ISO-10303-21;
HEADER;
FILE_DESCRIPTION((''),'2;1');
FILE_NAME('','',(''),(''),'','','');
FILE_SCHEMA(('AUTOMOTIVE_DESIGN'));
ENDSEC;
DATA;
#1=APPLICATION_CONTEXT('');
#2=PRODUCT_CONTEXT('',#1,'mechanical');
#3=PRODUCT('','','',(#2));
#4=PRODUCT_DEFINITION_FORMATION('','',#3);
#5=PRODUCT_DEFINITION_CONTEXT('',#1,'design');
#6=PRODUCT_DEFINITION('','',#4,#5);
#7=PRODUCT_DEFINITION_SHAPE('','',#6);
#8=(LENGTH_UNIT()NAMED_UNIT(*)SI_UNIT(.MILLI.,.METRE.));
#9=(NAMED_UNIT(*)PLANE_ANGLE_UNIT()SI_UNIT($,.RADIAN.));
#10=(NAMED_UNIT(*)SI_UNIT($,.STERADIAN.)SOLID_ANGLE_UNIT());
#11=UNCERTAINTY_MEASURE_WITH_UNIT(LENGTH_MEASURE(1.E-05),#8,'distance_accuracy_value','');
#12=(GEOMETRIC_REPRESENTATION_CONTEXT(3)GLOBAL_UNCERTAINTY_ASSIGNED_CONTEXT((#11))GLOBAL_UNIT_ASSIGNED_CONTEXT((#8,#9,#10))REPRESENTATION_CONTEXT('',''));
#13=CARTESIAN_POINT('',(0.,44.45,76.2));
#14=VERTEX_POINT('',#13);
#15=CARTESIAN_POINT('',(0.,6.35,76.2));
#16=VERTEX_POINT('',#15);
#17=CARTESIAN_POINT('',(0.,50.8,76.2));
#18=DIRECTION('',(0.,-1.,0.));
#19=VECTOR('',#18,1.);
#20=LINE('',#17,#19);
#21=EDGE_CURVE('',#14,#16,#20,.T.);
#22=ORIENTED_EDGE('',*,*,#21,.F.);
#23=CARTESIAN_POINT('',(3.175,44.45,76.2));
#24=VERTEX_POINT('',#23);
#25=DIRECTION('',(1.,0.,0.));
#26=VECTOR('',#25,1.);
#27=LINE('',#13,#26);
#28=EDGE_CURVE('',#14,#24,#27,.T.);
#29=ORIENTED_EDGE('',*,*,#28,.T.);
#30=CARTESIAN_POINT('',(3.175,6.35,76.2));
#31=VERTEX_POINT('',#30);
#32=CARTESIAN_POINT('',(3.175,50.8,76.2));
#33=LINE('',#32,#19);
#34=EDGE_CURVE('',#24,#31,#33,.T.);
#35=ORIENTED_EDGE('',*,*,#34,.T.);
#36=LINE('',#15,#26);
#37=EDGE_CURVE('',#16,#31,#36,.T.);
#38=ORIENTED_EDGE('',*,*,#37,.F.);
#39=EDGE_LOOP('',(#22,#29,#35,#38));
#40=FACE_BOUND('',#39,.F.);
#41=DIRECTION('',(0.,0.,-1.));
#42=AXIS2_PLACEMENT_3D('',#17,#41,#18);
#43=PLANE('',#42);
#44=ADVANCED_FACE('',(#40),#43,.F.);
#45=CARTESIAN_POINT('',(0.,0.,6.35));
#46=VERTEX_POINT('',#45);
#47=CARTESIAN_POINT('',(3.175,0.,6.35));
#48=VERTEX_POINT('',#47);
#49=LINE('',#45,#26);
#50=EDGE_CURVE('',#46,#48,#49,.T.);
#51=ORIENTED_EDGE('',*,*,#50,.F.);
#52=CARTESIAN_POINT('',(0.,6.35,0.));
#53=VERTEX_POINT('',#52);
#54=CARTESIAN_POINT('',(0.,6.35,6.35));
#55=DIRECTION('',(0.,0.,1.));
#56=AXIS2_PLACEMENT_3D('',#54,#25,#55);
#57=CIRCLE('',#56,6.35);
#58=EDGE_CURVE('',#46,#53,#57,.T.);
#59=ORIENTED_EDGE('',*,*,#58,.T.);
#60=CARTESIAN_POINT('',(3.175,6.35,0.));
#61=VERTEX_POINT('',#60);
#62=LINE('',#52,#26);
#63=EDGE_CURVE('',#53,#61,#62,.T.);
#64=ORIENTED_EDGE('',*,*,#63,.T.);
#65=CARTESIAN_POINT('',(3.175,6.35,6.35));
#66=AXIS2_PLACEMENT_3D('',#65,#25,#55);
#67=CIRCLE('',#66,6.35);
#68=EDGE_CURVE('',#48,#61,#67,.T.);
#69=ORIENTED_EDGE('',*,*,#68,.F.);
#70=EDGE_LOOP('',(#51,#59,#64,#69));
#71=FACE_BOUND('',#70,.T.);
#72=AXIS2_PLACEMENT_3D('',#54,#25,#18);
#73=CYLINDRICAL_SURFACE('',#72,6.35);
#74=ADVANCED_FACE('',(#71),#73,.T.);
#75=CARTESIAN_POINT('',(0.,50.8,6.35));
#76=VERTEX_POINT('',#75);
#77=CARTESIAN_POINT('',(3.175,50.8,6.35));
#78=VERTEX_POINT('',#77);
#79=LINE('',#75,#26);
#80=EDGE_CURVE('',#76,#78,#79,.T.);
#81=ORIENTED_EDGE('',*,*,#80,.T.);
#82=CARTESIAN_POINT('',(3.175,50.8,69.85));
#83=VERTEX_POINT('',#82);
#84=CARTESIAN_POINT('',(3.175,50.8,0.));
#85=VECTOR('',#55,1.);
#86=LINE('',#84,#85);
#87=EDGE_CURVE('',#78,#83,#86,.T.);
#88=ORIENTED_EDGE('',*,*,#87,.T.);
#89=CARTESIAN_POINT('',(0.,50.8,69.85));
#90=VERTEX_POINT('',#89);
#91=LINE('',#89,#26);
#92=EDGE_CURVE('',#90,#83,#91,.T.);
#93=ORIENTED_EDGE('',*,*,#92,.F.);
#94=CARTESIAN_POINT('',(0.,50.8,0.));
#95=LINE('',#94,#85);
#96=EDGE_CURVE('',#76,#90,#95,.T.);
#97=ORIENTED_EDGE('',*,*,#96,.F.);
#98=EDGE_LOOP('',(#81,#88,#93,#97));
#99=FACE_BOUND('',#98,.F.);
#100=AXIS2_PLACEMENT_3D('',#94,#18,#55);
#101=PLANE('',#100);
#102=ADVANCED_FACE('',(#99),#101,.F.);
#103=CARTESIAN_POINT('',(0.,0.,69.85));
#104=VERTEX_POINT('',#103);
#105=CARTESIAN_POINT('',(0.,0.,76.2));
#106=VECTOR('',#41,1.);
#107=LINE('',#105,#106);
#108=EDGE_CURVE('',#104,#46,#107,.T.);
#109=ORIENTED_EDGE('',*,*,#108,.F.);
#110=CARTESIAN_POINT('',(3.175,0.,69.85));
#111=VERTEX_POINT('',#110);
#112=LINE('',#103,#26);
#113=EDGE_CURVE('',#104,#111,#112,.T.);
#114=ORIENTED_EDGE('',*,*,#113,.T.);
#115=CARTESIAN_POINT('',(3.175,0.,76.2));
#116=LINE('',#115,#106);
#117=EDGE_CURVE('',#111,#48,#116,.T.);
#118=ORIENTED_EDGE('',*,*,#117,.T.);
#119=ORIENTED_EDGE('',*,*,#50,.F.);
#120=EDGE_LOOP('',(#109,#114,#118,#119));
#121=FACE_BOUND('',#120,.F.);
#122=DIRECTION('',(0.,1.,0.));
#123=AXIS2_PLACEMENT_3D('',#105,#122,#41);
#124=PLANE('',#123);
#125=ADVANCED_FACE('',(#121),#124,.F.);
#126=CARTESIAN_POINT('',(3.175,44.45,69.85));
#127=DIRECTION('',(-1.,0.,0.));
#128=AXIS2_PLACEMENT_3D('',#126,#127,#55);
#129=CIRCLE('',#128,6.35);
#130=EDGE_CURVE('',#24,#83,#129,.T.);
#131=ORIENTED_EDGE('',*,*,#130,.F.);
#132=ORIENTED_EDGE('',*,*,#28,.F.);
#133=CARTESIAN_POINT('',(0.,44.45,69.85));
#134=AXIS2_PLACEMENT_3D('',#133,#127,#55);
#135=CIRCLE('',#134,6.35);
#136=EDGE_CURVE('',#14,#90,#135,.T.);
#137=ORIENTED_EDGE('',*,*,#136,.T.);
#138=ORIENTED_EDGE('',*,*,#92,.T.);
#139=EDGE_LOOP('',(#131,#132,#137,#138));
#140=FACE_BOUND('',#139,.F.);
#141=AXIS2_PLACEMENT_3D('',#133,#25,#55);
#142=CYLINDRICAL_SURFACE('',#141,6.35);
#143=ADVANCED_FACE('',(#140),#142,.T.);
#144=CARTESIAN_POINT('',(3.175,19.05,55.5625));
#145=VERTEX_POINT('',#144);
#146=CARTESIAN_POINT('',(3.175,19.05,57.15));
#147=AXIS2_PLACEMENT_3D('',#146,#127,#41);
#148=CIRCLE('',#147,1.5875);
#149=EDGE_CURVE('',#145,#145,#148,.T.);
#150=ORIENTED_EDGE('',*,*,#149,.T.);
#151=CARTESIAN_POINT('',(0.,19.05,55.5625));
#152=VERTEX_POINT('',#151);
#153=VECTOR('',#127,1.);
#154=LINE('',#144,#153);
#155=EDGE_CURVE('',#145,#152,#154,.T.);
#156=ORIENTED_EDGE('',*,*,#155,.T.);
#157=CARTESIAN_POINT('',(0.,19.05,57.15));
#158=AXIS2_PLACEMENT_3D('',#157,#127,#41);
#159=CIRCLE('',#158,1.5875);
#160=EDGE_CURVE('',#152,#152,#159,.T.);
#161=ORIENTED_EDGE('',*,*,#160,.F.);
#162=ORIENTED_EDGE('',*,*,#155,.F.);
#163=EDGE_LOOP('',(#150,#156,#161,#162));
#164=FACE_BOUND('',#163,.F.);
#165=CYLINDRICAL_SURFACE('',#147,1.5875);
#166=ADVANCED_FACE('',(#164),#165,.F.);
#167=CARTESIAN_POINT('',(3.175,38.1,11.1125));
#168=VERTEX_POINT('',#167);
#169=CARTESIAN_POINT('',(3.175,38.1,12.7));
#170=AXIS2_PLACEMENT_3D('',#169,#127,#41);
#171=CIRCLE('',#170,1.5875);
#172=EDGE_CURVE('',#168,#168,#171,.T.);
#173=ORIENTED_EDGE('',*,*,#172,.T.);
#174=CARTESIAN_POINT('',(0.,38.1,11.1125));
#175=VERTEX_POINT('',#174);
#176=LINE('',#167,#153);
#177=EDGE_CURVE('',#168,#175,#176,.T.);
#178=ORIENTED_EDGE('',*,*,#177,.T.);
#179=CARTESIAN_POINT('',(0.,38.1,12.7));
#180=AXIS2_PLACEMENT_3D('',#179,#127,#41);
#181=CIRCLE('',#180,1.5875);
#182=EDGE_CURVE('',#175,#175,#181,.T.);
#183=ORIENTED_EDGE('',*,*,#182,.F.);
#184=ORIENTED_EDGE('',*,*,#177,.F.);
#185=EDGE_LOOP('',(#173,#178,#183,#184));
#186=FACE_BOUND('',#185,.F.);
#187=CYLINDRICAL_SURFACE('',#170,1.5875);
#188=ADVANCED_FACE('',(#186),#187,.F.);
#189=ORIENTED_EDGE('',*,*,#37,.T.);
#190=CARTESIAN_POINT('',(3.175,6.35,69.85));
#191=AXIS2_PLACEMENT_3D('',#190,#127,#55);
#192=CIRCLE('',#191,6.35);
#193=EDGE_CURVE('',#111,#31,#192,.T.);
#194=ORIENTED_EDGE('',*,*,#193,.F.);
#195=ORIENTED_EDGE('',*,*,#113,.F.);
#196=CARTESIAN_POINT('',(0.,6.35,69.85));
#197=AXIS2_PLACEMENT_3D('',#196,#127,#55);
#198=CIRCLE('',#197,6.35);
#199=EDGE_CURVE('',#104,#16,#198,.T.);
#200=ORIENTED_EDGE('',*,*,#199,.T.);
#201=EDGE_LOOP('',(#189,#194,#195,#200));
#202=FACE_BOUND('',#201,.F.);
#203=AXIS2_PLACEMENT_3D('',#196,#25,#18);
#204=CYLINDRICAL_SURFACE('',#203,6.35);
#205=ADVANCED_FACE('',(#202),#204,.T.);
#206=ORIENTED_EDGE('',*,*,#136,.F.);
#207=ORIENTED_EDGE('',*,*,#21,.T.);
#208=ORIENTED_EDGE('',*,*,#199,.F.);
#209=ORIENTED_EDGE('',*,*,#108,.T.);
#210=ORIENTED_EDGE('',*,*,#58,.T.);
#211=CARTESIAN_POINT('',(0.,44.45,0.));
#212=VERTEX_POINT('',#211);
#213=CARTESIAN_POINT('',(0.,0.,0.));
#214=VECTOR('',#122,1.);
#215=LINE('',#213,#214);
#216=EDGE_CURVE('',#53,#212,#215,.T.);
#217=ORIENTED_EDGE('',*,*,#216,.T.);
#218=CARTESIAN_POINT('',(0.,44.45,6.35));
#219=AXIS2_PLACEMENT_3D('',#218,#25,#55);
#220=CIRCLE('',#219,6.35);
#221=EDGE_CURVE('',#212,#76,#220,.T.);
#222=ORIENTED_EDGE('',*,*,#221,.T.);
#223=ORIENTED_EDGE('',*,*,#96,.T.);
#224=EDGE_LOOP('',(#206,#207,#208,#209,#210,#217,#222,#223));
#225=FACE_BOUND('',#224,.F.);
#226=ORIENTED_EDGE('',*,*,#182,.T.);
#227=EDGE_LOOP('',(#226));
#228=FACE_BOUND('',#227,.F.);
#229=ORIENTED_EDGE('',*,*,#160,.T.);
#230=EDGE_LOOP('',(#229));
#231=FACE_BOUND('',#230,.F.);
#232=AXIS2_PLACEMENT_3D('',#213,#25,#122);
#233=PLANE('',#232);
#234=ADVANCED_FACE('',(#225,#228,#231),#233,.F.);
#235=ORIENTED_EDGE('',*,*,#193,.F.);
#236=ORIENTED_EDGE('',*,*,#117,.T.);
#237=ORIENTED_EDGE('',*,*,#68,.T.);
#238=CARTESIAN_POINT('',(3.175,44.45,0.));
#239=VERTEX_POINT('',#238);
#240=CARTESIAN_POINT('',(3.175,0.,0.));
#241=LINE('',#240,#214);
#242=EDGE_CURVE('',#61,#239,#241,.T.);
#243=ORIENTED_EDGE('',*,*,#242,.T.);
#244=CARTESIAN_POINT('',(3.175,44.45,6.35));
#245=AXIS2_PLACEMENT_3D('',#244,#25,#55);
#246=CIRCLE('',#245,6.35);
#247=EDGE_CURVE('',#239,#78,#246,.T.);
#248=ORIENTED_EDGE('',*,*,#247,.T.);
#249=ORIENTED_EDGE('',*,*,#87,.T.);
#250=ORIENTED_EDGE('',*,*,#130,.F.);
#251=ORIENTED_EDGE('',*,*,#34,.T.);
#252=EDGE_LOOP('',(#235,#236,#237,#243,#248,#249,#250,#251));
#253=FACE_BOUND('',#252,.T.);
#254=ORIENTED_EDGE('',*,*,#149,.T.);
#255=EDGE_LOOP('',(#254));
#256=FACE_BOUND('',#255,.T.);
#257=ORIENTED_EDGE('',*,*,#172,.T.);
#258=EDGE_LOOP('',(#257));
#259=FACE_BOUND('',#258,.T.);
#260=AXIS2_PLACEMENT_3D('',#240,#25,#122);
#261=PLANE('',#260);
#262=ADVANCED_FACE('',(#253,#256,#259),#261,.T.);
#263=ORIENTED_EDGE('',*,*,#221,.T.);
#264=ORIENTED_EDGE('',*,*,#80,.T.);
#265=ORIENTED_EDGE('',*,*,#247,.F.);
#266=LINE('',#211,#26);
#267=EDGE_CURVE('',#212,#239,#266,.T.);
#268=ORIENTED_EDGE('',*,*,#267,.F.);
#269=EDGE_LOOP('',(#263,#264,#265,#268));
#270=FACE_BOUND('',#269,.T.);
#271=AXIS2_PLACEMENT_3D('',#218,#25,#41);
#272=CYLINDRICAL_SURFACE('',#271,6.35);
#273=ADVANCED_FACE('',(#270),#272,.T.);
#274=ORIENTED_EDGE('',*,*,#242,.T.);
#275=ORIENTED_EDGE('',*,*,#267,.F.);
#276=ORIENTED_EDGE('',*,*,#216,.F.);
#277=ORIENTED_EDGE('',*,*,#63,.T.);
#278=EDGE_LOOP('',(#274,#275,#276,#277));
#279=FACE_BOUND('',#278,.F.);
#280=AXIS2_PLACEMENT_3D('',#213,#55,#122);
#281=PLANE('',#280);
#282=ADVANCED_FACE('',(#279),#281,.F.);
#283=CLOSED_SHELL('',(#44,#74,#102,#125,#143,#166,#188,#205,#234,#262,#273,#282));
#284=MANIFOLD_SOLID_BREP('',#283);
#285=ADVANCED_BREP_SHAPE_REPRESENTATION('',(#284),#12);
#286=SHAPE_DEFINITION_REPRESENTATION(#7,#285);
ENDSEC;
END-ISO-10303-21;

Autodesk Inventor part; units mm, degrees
ref_plane "YZ Plane" through (0, 0, 0) normal (1, 0, 0) x (0, 1, 0)
ref_plane "XZ Plane" through (0, 0, 0) normal (0, 1, 0) x (-1, 0, 0)
ref_plane "XY Plane" through (0, 0, 0) normal (0, 0, 1) x (1, 0, 0)
sketch "Sketch1" plane through (0, 0, 0) normal (1, 0, 0) x (0, 1, 0)
  line L0 (0, 0) -> (50.8, 0)
  line L1 (50.8, 0) -> (50.8, 76.2)
  line L2 (50.8, 76.2) -> (0, 76.2)
  line L3 (0, 76.2) -> (0, 0)
  dimension "d0" = 50.8
  dimension "d1" = 76.2
extrude "Extrusion1" add sketch "Sketch1" along normal blind 3.175
sketch "Sketch2" plane through (3.175, 0, 0) normal (1, 0, 0) x (0, 0, -1)
  line L0 (0, 0) -> (0, 50.8) projected
  line L1 (0, 50.8) -> (-76.2, 50.8) projected
  line L2 (-76.2, 50.8) -> (-76.2, 0) projected
  point P0 (-57.15, 19.05)
  point P1 (-12.7, 38.1)
  dimension "d4" = 12.7
  dimension "d5" = 12.7
  dimension "d6" = 31.75
  dimension "d7" = 19.05
hole "Hole1" at (3.175, 19.05, 57.15) at (3.175, 38.1, 12.7) direction (-1, 0, 0) diameter 3.175 end through all
fillet "Fillet1" radius 6.35 4 edges at (1.5875, 50.8, 76.2) (1.5875, 0, 76.2) (1.5875, 0, 0) (1.5875, 50.8, 0)
properties part number "Base"
